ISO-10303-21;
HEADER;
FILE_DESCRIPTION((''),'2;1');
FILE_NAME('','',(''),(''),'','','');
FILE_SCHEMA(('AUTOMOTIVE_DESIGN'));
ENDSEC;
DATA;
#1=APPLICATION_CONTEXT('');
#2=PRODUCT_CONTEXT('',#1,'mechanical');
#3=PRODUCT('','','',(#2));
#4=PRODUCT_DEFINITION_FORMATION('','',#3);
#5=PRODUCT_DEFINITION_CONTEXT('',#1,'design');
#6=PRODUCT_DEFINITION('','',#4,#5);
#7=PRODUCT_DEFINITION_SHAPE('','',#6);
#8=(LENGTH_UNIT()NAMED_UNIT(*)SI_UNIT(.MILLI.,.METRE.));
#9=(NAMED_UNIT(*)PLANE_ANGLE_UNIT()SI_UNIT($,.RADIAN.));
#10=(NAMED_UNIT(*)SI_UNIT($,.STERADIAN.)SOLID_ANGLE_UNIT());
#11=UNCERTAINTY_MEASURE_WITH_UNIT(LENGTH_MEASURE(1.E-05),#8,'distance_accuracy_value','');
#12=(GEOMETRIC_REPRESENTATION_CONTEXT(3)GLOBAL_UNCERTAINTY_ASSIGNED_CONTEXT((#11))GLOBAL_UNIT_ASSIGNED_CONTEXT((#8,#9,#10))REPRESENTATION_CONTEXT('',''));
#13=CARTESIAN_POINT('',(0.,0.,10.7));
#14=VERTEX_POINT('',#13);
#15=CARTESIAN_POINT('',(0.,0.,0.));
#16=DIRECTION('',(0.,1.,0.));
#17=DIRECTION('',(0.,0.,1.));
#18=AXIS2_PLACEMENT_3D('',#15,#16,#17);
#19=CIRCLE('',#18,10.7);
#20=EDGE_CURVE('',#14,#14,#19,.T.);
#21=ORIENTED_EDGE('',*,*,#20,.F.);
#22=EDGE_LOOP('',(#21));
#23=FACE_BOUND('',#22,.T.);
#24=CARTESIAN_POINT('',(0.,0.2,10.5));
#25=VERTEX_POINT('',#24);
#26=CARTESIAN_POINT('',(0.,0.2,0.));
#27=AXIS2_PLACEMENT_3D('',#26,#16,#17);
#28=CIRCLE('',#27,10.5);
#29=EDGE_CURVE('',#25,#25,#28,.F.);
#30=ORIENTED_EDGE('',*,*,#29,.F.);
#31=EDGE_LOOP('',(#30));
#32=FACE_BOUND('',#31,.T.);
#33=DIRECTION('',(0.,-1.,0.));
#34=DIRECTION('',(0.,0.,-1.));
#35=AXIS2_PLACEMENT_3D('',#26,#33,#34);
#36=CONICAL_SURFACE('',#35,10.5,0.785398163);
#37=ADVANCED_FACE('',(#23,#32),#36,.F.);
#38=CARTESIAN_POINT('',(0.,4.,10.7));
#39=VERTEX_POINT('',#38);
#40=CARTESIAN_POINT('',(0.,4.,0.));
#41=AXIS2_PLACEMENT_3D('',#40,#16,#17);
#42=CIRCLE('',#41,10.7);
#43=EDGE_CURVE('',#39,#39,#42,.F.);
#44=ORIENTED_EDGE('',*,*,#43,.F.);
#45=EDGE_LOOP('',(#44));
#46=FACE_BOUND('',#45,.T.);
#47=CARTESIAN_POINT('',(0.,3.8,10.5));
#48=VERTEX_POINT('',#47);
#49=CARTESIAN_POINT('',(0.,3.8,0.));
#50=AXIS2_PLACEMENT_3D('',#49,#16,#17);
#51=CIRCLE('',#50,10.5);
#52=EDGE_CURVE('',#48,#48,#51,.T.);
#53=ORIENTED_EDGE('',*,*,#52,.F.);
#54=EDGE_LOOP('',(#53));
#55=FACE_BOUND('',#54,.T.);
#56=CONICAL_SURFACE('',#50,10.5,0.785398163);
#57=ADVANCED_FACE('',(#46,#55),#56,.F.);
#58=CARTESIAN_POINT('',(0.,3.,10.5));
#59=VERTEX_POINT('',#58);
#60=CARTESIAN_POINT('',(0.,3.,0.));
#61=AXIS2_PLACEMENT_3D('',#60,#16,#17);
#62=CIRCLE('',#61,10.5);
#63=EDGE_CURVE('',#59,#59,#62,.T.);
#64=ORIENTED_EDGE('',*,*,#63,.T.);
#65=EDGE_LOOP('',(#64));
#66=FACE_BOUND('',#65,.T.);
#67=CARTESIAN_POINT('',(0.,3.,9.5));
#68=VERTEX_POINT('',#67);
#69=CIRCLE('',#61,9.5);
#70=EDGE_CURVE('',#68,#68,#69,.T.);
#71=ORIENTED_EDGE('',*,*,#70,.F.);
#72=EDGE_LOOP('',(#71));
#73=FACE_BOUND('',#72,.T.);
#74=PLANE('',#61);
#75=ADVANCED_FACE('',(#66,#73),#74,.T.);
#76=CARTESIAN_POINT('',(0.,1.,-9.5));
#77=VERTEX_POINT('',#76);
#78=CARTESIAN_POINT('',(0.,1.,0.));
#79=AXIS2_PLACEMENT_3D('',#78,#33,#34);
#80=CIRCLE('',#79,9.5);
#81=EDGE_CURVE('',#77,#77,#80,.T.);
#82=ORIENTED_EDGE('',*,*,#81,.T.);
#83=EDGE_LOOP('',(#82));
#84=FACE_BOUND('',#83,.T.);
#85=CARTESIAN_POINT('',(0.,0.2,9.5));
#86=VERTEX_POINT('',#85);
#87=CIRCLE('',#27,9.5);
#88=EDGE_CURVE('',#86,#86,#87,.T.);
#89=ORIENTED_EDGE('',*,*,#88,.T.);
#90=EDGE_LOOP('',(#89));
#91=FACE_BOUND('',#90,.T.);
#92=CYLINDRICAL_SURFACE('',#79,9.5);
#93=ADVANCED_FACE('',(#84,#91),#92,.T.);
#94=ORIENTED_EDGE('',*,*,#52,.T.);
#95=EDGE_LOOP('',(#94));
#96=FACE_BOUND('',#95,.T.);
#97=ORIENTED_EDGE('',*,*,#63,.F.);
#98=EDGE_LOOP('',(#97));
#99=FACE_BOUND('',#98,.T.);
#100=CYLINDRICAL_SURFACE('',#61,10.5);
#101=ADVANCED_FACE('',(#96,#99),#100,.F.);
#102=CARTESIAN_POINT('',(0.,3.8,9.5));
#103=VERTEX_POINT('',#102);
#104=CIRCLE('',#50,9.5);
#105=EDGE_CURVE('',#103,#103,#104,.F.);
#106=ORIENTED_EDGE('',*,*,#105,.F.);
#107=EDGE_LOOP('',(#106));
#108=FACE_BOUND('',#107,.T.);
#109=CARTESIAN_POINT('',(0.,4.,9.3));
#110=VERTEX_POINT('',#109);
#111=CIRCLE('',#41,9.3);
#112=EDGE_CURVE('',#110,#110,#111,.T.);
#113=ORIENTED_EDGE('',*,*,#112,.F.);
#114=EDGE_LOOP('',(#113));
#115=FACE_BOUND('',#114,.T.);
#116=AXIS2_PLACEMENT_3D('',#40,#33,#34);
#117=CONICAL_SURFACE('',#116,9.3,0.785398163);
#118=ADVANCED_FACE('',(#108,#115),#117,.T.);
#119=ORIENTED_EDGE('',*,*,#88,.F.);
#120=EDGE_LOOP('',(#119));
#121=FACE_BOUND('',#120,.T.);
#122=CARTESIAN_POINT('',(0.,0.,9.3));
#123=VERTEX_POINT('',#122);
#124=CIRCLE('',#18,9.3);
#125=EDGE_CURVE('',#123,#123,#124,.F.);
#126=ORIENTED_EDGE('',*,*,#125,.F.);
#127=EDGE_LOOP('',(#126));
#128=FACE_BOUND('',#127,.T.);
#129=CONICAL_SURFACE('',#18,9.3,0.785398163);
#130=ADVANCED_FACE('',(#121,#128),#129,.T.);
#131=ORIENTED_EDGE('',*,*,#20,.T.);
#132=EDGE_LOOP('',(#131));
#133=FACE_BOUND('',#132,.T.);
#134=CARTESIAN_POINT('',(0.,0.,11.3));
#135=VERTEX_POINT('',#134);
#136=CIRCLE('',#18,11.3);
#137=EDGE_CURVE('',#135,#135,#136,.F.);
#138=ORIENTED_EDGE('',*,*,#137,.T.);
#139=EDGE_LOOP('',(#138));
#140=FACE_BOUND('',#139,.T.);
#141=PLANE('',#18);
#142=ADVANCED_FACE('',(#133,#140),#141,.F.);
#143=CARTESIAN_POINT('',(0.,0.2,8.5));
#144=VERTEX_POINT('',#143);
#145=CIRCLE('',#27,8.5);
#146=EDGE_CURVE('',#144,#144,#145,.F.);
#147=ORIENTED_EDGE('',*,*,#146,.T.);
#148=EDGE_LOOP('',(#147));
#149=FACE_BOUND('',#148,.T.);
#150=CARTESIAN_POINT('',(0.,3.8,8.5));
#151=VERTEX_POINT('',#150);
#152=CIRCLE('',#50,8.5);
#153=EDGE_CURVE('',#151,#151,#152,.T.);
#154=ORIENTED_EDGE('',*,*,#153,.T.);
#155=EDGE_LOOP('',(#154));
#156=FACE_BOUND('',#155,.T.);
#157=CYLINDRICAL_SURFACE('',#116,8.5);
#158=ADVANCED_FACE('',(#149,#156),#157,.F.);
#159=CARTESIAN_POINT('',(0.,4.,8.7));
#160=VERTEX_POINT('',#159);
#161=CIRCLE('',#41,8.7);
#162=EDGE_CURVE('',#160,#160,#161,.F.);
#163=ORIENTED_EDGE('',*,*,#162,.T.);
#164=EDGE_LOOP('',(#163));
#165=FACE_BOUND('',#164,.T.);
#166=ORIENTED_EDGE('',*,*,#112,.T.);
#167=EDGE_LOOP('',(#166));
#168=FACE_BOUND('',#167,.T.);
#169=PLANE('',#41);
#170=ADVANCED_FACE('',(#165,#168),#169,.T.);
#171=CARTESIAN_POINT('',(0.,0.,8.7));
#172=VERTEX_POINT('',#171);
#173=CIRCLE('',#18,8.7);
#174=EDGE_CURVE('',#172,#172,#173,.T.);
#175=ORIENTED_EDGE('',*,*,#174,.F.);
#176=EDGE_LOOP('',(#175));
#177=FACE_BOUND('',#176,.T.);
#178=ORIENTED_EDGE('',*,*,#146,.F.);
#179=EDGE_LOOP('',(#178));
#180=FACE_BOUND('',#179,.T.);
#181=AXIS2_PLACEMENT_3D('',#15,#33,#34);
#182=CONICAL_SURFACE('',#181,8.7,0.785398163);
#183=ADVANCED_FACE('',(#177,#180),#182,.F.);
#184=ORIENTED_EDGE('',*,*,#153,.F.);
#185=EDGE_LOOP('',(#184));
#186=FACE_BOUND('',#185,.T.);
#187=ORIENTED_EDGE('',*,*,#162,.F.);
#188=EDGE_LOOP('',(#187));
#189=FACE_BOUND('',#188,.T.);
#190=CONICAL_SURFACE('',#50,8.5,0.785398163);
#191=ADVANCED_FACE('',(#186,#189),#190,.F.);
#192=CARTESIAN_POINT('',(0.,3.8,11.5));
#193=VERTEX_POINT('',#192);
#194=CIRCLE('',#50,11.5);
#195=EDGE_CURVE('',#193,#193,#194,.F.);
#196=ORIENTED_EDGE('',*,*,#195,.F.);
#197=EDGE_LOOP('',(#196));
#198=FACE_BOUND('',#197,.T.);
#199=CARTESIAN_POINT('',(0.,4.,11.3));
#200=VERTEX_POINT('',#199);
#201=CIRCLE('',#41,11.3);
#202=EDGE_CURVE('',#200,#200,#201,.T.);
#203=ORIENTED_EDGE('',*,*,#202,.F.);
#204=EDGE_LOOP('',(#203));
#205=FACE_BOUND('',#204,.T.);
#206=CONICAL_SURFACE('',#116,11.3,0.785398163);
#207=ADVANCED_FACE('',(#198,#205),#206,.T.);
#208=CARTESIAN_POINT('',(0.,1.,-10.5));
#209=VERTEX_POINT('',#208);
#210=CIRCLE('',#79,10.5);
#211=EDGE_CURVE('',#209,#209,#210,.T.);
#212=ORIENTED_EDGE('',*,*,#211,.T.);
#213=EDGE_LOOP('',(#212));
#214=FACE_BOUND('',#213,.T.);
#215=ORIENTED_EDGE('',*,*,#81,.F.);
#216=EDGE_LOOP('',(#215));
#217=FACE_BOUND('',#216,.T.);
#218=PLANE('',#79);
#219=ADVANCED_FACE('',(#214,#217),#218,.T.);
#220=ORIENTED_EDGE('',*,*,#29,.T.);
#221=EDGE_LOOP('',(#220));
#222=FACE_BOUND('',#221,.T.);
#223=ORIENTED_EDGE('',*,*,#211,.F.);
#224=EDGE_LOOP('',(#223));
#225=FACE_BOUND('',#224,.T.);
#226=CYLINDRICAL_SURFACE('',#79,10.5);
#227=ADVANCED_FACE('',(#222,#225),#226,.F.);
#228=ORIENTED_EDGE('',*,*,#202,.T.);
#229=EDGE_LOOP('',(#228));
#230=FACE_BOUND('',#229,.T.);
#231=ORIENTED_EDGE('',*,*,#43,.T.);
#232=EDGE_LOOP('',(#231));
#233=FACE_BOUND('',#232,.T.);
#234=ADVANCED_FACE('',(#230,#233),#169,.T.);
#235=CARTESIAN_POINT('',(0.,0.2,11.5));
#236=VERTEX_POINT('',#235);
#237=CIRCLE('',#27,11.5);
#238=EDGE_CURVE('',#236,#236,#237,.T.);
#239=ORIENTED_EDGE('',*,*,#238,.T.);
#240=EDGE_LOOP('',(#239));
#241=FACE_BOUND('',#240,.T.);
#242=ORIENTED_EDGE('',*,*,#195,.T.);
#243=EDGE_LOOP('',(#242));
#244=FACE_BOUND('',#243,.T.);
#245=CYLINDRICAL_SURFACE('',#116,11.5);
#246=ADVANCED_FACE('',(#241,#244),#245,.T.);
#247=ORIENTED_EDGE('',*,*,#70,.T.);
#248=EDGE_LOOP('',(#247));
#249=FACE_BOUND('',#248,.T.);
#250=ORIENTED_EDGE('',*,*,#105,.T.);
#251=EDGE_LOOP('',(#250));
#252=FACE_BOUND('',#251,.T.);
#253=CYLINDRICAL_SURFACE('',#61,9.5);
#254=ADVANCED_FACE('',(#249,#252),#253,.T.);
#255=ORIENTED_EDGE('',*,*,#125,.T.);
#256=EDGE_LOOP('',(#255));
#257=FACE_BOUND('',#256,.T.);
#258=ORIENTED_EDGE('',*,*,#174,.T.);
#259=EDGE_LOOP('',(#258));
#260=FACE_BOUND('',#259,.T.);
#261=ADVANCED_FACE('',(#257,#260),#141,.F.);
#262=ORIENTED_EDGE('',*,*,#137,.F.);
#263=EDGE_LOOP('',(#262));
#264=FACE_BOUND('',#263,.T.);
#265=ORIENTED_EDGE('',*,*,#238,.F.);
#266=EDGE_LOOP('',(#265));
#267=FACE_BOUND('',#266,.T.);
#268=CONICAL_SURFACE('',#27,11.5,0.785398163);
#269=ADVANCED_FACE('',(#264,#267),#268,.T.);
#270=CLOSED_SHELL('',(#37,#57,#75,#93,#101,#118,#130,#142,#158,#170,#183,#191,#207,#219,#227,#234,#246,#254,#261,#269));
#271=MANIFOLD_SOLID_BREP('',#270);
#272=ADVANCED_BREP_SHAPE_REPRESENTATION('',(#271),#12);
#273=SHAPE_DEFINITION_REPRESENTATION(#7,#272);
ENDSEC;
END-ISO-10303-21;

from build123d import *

# Parameters (mm, degrees)
SKETCH1_R           = 11.5
SKETCH1_R_2         = 8.5
BOSS_EXTRUDE1_DEPTH = 4
SKETCH2_R           = 10.5
SKETCH2_R_2         = 9.5
CUT_EXTRUDE1_DEPTH  = 1
CUT_EXTRUDE2_START  = -1
SKETCH3_R           = 10.5
SKETCH3_R_2         = 9.5
CUT_EXTRUDE2_DEPTH  = 1
CHAMFER1_SIZE       = 0.2


with BuildPart() as part:
    # Sketch1 → Boss-Extrude1 (new body)
    with BuildSketch(Plane(origin=(0, 0, 0), x_dir=(1, 0, 0), z_dir=(0, 1, 0))):
        with Locations(Location((0, 0, 0), (0, 0, 270))):
            Circle(SKETCH1_R)
        with Locations(Location((0, 0, 0), (0, 0, 270))):
            Circle(SKETCH1_R_2, mode=Mode.SUBTRACT)
    extrude(amount=BOSS_EXTRUDE1_DEPTH)

    # Sketch2 → Cut-Extrude1 (cut)
    with BuildSketch(Plane(origin=(0, 4, 0), x_dir=(1, 0, 0), z_dir=(0, 1, 0))):
        with Locations(Location((0, 0, 0), (0, 0, 270))):
            Circle(SKETCH2_R)
        with Locations(Location((0, 0, 0), (0, 0, 270))):
            Circle(SKETCH2_R_2, mode=Mode.SUBTRACT)
    extrude(amount=-CUT_EXTRUDE1_DEPTH, mode=Mode.SUBTRACT)

    # Sketch3 → Cut-Extrude2 (cut)
    with BuildSketch(Plane.XZ.offset(CUT_EXTRUDE2_START)):
        with Locations(Location((0, 0, 0), (0, 0, 90))):
            Circle(SKETCH3_R)
        with Locations(Location((0, 0, 0), (0, 0, 90))):
            Circle(SKETCH3_R_2, mode=Mode.SUBTRACT)
    extrude(amount=CUT_EXTRUDE2_DEPTH, mode=Mode.SUBTRACT)

    # Chamfer1
    chamfer1_edges = [part.edges().sort_by_distance(p)[0] for p in [
        (0, 4, -10.5),
        (0, 4, -9.5),
        (0, 0, -11.5),
        (0, 0, -10.5),
        (0, 0, -9.5),
        (0, 4, -11.5),
        (0, 0, -8.5),
        (0, 4, -8.5),
    ]]
    chamfer(chamfer1_edges, length=CHAMFER1_SIZE)


solid = part.part
